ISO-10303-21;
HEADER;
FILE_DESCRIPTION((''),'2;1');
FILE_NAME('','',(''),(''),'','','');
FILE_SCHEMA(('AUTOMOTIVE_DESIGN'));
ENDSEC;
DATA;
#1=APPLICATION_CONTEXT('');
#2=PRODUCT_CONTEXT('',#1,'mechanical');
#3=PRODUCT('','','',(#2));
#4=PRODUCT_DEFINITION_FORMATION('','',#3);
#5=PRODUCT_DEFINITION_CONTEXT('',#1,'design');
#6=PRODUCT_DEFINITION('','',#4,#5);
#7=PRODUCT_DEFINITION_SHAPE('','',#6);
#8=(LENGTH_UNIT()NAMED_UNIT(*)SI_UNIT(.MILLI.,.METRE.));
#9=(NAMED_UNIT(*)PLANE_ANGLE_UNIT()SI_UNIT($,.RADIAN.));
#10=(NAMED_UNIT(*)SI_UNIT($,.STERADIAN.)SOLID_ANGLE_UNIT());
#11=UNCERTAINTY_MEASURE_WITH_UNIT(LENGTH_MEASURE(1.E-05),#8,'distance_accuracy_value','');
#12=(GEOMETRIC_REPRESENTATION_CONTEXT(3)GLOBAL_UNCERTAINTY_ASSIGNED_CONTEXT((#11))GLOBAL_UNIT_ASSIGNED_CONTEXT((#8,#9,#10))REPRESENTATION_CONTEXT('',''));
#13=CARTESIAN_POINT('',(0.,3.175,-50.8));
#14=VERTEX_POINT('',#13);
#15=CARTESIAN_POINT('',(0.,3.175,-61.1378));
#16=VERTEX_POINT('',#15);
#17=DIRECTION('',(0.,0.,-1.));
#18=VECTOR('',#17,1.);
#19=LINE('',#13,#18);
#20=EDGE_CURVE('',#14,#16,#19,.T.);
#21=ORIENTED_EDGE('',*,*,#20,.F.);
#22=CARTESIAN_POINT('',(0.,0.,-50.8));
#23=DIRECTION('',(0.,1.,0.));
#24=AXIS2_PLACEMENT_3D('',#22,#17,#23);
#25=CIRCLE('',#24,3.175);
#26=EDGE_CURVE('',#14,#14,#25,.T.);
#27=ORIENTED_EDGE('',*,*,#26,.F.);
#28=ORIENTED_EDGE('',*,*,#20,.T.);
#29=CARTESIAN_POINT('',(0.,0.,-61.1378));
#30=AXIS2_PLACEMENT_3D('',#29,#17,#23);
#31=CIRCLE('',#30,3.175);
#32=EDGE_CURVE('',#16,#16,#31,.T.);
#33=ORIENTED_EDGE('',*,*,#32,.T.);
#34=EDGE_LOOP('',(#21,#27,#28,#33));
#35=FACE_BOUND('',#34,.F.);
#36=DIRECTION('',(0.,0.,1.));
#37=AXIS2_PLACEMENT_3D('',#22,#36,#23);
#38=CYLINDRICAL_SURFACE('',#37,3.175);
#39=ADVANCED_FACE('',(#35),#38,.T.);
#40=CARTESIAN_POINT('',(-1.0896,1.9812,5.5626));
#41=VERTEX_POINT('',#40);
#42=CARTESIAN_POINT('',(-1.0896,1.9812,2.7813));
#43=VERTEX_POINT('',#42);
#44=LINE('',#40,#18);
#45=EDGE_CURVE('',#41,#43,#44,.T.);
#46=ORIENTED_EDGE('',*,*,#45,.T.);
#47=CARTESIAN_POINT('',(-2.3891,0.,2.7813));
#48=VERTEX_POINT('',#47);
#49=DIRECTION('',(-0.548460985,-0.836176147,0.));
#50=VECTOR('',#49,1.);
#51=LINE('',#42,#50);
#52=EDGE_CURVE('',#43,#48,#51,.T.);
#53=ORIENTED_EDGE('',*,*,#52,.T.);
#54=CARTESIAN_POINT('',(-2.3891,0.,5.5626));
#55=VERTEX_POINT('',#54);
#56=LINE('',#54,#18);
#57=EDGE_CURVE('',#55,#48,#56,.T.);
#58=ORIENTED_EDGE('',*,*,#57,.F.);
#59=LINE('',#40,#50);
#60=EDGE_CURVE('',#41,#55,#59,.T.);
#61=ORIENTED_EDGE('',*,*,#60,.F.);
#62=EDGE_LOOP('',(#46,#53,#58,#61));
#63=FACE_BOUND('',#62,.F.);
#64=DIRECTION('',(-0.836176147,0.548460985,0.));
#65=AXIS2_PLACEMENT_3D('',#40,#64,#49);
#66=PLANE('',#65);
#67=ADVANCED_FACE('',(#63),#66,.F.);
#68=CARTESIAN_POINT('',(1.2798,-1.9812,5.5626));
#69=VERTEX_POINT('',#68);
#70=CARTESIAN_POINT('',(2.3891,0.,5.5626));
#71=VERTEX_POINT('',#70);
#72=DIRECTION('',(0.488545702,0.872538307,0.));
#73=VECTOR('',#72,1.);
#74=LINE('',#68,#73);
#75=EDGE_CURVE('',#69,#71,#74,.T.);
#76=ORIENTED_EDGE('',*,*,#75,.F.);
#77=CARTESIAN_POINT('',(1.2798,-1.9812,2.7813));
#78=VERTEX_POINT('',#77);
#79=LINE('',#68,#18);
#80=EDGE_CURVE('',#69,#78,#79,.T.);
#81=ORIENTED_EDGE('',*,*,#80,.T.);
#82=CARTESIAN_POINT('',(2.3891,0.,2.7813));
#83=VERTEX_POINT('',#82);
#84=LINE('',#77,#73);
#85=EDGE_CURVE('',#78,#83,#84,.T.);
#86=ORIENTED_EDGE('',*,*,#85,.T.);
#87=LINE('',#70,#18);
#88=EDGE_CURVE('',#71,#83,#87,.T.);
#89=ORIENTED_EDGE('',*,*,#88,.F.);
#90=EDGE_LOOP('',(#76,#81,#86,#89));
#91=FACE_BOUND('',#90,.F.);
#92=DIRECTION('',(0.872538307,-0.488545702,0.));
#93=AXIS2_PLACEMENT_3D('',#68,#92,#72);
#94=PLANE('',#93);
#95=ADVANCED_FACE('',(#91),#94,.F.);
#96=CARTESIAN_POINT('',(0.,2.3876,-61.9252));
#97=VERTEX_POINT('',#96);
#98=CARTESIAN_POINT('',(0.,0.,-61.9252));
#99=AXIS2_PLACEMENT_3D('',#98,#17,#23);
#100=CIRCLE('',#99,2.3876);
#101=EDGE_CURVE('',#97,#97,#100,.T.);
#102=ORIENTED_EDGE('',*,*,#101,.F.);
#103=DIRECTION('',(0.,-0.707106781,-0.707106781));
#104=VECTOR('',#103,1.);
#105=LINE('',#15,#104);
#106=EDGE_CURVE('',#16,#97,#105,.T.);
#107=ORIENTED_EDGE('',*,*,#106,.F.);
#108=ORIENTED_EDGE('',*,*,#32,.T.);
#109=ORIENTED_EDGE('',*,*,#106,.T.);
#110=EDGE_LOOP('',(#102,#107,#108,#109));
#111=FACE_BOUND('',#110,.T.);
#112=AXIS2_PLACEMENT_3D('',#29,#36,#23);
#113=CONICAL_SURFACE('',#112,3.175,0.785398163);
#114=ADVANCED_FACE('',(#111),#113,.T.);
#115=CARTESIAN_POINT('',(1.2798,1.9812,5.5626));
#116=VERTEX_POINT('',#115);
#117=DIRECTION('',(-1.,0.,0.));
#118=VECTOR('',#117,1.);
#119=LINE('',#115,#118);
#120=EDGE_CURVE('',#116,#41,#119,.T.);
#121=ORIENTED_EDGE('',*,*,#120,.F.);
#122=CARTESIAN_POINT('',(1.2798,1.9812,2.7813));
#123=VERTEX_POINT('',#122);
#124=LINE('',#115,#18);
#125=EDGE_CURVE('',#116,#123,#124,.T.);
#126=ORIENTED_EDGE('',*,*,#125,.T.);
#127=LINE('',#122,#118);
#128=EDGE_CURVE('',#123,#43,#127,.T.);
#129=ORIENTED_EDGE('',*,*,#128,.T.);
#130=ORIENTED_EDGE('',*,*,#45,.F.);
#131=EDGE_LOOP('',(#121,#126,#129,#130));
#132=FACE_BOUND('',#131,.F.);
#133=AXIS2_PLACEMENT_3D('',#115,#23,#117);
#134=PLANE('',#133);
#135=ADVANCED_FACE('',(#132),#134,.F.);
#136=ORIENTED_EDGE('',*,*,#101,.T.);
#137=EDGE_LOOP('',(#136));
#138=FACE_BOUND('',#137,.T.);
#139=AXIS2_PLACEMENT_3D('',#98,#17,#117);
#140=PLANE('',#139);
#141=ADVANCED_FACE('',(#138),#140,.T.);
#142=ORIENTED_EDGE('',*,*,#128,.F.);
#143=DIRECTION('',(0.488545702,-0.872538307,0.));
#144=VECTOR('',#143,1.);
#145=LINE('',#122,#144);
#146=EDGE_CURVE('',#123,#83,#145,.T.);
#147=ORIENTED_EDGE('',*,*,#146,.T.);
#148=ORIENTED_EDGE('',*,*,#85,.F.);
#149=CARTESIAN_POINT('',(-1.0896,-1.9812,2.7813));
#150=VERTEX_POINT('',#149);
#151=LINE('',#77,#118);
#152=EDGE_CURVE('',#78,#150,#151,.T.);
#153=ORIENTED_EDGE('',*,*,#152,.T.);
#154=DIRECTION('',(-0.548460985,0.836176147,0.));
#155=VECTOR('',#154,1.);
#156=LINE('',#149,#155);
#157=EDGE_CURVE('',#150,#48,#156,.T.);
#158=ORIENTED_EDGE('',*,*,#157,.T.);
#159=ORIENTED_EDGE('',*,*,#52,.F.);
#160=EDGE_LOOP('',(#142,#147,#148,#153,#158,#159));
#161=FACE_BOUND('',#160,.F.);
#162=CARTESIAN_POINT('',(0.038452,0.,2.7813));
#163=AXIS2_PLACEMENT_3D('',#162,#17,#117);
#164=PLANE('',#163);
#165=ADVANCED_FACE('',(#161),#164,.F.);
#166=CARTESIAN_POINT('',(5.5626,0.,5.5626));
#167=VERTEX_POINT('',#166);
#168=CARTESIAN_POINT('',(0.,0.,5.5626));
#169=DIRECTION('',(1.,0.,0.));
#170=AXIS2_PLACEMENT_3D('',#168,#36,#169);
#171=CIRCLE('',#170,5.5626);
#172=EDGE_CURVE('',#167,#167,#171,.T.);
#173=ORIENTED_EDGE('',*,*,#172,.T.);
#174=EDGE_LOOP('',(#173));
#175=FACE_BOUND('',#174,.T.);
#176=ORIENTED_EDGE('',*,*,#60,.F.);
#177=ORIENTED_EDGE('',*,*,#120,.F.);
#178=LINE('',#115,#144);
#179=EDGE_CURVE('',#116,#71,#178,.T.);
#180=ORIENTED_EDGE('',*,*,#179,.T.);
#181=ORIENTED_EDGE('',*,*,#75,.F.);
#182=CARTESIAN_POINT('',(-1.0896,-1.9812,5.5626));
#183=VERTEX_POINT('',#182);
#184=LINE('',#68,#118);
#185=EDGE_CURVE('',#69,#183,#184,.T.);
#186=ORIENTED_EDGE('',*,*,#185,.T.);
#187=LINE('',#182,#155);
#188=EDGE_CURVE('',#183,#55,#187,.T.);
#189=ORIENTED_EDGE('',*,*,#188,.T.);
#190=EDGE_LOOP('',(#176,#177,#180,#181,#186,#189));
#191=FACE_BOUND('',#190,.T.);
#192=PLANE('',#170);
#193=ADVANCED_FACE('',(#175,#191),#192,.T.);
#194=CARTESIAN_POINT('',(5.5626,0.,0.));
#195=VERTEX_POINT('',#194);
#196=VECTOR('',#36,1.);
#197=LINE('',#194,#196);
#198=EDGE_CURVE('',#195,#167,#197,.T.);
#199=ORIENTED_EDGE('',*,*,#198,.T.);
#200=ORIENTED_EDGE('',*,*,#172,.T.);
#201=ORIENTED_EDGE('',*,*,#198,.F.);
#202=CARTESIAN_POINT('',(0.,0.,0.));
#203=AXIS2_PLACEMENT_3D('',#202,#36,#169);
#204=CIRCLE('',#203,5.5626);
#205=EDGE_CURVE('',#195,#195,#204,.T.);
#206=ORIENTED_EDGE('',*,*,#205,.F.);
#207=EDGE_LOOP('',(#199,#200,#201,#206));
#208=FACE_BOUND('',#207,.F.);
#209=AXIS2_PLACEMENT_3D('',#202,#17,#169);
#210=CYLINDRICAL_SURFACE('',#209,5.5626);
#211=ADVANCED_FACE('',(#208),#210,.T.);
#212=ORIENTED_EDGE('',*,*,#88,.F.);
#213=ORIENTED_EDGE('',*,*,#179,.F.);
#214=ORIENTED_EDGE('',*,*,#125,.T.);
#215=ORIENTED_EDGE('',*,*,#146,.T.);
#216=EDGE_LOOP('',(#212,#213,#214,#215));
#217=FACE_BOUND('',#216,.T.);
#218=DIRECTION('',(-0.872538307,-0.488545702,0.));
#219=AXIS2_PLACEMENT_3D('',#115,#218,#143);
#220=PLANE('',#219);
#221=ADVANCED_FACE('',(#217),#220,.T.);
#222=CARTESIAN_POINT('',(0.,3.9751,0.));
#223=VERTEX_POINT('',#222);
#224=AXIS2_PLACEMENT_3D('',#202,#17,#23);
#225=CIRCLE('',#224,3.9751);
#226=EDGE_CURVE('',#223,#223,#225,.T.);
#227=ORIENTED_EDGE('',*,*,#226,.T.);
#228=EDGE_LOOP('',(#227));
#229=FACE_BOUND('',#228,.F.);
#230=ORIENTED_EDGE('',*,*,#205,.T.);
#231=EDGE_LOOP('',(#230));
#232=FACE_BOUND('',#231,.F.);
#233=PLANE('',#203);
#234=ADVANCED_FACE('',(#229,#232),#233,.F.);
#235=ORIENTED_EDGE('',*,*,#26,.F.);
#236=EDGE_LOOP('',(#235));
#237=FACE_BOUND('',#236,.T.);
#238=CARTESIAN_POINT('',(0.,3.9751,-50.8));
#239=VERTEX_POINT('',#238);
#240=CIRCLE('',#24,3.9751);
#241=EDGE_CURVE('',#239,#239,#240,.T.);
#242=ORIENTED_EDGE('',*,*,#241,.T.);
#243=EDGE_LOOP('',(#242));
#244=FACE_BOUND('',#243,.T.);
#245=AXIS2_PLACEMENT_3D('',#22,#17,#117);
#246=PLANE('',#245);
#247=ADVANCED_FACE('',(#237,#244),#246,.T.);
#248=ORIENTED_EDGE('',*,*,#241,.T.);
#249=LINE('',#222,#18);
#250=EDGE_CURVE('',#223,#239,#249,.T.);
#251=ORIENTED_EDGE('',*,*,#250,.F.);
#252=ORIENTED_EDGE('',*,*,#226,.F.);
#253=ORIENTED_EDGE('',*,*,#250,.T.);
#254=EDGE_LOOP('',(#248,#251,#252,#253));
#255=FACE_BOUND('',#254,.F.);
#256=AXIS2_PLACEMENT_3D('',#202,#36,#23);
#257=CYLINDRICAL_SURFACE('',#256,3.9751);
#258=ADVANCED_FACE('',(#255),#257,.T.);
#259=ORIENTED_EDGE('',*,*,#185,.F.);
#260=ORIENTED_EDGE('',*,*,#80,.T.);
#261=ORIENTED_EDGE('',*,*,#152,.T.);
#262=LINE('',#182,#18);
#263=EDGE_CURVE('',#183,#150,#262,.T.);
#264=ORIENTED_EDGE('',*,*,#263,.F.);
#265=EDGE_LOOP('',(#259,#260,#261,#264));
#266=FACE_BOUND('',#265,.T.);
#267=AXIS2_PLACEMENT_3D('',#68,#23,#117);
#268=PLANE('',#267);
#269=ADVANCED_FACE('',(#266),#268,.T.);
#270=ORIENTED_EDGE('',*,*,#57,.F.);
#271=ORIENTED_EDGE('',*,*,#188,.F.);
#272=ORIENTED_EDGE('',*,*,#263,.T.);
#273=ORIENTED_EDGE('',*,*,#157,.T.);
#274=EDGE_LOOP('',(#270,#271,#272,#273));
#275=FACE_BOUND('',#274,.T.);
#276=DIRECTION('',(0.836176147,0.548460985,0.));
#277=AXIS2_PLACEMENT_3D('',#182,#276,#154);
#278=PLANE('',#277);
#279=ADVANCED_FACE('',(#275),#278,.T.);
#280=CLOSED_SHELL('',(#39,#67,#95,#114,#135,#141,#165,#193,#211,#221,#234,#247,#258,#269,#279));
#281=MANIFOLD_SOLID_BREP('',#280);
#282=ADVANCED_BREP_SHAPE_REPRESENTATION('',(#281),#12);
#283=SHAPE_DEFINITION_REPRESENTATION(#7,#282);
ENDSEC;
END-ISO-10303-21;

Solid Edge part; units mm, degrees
sketch "Sketch1" plane through (0, 0, 0) normal (0, 0, 1) x (1, 0, 0)
  circle A0 centre (0, 0) radius 5.5626
  dimension "D1" = 11.1252
extrude "Protrusion1" add sketch "Sketch1" along normal blind 5.5626
sketch "Sketch2" plane through (0, 0, 0) normal (0, 0, -1) x (0, 1, 0)
  circle A0 centre (0, 0) radius 3.9751
  dimension "D1" = 7.9502
extrude "Protrusion2" add sketch "Sketch2" along normal blind 50.8
sketch "Sketch3" plane through (0, 0, -50.8) normal (0, 0, -1) x (0, 1, 0)
  circle A0 centre (0, 0) radius 3.175
  dimension "D1" = 6.35
extrude "Protrusion3" add sketch "Sketch3" along normal blind 11.1252
sketch "Sketch4" plane through (0, 0, 5.5626) normal (0, 0, 1) x (0, 1, 0)
  line L0 (-1.9812, 1.0896) -> (0, 2.3891)
  line L1 (-1.9812, -1.2798) -> (-1.9812, 1.0896)
  line L2 (-1.9812, -1.2798) -> (0, -2.3891)
  line L3 (1.9812, -1.2798) -> (0, -2.3891)
  line L4 (1.9812, -1.2798) -> (1.9812, 1.0896)
  line L5 (1.9812, 1.0896) -> (0, 2.3891)
  dimension "D1" = 3.9624
extrude "Cutout1" cut sketch "Sketch4" against normal blind 2.7813
chamfer "Chamfer1" distance 0.7874 angle 45 1 edges at (0, -3.175, -61.9252)
properties part number "300290"
